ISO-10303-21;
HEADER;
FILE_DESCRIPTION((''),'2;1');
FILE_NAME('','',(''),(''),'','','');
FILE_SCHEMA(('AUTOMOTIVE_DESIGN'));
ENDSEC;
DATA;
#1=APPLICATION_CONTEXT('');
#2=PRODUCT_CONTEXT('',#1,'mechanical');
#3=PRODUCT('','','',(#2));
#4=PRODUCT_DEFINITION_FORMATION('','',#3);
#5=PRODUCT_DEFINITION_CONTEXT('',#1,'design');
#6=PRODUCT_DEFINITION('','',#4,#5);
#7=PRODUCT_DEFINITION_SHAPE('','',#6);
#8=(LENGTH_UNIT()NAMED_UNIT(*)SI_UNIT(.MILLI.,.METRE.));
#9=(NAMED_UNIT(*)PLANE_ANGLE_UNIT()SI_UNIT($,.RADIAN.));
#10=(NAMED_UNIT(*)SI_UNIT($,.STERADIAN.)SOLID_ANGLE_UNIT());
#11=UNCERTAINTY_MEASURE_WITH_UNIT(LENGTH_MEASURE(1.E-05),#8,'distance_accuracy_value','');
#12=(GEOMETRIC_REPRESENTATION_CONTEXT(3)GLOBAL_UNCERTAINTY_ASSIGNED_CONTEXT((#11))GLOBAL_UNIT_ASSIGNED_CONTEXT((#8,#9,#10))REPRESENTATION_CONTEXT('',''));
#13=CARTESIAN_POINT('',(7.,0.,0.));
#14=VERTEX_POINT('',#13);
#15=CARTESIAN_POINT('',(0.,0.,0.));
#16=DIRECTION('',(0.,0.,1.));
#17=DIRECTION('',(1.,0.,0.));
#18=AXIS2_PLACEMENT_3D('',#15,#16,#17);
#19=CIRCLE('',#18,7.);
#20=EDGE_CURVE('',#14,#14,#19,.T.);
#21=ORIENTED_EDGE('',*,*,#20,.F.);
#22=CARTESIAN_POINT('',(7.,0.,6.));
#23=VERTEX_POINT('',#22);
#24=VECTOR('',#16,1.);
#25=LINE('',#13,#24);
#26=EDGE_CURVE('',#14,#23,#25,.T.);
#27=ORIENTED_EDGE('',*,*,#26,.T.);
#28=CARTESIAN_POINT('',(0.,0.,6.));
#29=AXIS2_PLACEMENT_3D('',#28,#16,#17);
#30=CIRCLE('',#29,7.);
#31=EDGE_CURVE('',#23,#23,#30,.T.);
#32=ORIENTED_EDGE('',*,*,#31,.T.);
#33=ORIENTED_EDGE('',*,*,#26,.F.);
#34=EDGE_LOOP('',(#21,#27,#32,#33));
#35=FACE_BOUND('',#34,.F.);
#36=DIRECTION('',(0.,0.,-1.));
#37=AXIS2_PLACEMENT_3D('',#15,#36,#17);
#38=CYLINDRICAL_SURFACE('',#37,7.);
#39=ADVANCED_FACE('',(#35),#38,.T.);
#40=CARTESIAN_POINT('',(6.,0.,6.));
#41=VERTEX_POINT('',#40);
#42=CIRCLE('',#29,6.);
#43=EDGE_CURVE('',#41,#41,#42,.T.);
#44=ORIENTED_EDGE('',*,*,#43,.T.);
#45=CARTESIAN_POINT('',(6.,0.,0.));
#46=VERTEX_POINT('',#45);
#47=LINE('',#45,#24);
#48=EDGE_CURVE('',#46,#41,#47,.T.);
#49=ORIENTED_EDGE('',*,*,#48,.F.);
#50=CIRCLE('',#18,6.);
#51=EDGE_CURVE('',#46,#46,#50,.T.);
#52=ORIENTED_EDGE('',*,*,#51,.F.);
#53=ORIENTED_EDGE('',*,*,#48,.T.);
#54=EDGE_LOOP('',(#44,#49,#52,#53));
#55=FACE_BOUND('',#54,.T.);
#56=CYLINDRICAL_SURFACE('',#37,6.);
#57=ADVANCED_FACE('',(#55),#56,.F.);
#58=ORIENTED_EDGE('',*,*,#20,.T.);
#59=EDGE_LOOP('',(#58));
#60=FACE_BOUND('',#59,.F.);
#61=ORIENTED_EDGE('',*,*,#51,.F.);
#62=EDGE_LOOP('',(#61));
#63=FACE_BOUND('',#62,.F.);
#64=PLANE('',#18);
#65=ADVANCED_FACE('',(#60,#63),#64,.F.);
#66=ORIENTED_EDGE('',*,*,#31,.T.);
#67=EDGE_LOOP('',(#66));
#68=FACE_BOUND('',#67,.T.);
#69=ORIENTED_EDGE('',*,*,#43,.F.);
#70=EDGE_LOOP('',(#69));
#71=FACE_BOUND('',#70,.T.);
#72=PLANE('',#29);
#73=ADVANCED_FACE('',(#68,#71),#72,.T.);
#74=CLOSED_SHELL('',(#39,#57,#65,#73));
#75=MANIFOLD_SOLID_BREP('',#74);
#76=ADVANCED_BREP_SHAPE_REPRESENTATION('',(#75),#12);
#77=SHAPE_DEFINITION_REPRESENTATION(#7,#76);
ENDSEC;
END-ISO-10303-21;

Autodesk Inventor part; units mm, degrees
ref_plane "YZ Plane" through (0, 0, 0) normal (1, 0, 0) x (0, 1, 0)
ref_plane "XZ Plane" through (0, 0, 0) normal (0, 1, 0) x (-1, 0, 0)
ref_plane "XY Plane" through (0, 0, 0) normal (0, 0, 1) x (1, 0, 0)
sketch "スケッチ1" plane through (0, 0, 0) normal (0, 0, 1) x (1, 0, 0)
  circle A0 centre (0, 0) radius 7
  circle A1 centre (0, 0) radius 6
  dimension "d0" = 14
  dimension "d1" = 12
extrude "押し出し1" add sketch "スケッチ1" along normal blind 6
properties part number "オイレス　12-14 6" material "アセタール樹脂、黒"
